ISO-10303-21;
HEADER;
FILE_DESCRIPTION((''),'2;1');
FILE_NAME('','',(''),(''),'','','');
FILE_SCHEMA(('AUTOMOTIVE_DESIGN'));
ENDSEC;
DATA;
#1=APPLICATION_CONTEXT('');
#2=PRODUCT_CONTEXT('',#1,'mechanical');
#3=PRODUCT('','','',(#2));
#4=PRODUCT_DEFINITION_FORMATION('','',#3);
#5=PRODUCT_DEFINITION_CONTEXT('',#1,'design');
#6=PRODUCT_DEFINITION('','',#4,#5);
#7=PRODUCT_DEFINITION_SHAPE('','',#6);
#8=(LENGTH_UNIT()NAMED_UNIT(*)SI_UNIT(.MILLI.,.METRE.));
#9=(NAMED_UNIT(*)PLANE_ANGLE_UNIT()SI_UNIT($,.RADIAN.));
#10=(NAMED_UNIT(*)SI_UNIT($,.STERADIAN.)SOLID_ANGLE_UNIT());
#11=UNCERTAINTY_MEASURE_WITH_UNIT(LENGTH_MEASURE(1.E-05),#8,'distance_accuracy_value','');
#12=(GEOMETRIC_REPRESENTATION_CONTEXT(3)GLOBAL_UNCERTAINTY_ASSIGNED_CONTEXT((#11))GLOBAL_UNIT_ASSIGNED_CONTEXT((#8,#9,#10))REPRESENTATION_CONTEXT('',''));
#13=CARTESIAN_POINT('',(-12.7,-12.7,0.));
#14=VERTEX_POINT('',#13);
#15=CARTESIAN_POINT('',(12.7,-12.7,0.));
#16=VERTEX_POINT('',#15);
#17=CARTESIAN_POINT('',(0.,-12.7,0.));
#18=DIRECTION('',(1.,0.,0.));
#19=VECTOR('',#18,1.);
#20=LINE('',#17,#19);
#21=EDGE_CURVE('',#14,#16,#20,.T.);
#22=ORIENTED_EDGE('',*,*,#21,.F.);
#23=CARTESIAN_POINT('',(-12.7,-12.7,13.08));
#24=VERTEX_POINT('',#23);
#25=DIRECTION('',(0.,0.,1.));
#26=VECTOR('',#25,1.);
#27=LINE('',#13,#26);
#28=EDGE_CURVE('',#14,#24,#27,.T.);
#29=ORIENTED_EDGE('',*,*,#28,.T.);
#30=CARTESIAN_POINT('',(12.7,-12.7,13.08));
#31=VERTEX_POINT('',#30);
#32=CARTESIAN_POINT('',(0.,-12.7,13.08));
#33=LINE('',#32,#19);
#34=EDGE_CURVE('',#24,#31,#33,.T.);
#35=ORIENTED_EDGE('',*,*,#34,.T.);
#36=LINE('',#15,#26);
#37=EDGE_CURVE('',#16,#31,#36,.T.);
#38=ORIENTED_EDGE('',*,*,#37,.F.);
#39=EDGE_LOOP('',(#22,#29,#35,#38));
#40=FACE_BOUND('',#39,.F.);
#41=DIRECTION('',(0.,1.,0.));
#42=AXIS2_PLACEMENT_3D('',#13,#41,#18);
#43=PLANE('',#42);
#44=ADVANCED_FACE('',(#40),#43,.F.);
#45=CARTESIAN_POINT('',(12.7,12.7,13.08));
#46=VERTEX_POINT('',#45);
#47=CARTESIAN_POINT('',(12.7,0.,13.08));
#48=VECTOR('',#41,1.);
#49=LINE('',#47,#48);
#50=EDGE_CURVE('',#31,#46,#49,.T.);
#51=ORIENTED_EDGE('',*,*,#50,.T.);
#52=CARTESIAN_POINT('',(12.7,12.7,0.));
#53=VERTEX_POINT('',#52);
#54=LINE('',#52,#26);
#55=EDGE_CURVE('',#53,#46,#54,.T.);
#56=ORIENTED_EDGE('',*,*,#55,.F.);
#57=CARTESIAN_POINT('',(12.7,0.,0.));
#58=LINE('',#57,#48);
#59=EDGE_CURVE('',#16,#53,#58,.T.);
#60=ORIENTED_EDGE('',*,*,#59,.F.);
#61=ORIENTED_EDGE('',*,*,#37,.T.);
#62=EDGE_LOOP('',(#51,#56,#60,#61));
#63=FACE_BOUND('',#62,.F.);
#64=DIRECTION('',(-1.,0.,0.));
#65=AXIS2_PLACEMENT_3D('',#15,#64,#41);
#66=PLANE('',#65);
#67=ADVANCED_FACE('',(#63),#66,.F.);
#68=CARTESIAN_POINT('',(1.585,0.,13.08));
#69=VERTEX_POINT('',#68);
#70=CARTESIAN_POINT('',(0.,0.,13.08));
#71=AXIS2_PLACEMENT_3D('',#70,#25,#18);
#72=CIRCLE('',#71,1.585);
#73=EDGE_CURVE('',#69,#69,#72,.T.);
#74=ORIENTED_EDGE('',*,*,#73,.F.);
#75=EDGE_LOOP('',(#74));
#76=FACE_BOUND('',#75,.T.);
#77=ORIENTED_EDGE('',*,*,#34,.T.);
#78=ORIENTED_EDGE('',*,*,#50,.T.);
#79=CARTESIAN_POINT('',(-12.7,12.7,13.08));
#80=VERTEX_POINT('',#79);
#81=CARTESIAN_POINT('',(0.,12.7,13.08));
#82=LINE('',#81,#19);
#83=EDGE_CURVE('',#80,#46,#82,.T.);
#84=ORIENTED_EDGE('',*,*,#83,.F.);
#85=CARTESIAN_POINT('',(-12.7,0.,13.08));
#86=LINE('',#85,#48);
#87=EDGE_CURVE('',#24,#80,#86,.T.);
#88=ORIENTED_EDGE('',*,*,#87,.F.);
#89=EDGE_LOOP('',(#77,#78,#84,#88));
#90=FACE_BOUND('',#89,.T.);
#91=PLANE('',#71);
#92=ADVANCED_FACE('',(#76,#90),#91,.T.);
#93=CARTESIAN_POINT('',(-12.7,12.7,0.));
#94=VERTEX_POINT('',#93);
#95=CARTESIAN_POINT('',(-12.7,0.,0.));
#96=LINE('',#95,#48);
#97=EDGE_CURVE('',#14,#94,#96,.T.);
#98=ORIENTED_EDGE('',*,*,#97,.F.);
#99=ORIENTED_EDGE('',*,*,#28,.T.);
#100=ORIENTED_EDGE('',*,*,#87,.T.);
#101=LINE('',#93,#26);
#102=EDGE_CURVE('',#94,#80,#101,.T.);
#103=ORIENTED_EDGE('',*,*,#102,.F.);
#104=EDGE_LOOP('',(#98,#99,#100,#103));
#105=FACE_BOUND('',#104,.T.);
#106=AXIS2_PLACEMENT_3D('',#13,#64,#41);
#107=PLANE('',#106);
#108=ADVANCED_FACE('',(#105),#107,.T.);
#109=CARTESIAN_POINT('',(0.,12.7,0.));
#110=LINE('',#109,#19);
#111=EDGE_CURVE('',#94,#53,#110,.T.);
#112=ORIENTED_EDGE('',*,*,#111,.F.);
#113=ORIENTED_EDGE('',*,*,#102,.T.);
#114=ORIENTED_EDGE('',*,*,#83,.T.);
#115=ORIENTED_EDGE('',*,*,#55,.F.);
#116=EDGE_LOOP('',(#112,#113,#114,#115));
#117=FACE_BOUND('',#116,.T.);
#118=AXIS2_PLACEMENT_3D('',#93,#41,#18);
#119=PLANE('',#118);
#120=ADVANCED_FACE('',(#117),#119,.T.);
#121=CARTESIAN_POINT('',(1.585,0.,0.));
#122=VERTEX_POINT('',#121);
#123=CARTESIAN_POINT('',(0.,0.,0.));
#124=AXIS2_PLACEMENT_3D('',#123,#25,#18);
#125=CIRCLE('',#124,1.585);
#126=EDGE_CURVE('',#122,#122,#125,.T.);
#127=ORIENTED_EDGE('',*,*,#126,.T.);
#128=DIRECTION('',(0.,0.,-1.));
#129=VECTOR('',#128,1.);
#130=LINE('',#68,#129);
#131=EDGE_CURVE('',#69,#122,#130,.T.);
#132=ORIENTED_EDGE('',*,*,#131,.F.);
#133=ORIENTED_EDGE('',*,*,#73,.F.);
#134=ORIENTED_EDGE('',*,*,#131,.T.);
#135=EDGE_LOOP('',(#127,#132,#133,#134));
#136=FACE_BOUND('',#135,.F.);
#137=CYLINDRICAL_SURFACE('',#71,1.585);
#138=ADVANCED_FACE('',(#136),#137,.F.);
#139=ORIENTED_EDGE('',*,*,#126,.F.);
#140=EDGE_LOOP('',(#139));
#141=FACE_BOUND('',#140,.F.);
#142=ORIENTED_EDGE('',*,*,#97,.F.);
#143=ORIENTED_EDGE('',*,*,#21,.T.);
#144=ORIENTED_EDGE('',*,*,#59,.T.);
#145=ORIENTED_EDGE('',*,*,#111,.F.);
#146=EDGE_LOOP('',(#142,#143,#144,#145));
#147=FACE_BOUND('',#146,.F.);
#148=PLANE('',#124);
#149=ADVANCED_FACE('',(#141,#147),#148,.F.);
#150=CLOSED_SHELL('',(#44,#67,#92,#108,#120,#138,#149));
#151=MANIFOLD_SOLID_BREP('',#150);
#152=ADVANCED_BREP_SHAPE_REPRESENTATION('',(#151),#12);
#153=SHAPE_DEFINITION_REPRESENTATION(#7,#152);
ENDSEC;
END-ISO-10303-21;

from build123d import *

# Parameters (mm, degrees)
SKETCH_W    = 25.4
SKETCH_H    = 25.4
PAD_DEPTH   = 13.08
SKETCH001_R = 1.585
HOLE_DEPTH  = 13.081


with BuildPart() as part:
    # Sketch → Pad (new body)
    with BuildSketch(Plane.XY):
        Rectangle(SKETCH_W, SKETCH_H)
    extrude(amount=PAD_DEPTH)

    # Sketch001 (on Face6 of Pad) → Hole (cut, through all)
    with BuildSketch(Plane.XY.offset(13.08)):
        Circle(SKETCH001_R)
    extrude(amount=-HOLE_DEPTH, mode=Mode.SUBTRACT)


solid = part.part
